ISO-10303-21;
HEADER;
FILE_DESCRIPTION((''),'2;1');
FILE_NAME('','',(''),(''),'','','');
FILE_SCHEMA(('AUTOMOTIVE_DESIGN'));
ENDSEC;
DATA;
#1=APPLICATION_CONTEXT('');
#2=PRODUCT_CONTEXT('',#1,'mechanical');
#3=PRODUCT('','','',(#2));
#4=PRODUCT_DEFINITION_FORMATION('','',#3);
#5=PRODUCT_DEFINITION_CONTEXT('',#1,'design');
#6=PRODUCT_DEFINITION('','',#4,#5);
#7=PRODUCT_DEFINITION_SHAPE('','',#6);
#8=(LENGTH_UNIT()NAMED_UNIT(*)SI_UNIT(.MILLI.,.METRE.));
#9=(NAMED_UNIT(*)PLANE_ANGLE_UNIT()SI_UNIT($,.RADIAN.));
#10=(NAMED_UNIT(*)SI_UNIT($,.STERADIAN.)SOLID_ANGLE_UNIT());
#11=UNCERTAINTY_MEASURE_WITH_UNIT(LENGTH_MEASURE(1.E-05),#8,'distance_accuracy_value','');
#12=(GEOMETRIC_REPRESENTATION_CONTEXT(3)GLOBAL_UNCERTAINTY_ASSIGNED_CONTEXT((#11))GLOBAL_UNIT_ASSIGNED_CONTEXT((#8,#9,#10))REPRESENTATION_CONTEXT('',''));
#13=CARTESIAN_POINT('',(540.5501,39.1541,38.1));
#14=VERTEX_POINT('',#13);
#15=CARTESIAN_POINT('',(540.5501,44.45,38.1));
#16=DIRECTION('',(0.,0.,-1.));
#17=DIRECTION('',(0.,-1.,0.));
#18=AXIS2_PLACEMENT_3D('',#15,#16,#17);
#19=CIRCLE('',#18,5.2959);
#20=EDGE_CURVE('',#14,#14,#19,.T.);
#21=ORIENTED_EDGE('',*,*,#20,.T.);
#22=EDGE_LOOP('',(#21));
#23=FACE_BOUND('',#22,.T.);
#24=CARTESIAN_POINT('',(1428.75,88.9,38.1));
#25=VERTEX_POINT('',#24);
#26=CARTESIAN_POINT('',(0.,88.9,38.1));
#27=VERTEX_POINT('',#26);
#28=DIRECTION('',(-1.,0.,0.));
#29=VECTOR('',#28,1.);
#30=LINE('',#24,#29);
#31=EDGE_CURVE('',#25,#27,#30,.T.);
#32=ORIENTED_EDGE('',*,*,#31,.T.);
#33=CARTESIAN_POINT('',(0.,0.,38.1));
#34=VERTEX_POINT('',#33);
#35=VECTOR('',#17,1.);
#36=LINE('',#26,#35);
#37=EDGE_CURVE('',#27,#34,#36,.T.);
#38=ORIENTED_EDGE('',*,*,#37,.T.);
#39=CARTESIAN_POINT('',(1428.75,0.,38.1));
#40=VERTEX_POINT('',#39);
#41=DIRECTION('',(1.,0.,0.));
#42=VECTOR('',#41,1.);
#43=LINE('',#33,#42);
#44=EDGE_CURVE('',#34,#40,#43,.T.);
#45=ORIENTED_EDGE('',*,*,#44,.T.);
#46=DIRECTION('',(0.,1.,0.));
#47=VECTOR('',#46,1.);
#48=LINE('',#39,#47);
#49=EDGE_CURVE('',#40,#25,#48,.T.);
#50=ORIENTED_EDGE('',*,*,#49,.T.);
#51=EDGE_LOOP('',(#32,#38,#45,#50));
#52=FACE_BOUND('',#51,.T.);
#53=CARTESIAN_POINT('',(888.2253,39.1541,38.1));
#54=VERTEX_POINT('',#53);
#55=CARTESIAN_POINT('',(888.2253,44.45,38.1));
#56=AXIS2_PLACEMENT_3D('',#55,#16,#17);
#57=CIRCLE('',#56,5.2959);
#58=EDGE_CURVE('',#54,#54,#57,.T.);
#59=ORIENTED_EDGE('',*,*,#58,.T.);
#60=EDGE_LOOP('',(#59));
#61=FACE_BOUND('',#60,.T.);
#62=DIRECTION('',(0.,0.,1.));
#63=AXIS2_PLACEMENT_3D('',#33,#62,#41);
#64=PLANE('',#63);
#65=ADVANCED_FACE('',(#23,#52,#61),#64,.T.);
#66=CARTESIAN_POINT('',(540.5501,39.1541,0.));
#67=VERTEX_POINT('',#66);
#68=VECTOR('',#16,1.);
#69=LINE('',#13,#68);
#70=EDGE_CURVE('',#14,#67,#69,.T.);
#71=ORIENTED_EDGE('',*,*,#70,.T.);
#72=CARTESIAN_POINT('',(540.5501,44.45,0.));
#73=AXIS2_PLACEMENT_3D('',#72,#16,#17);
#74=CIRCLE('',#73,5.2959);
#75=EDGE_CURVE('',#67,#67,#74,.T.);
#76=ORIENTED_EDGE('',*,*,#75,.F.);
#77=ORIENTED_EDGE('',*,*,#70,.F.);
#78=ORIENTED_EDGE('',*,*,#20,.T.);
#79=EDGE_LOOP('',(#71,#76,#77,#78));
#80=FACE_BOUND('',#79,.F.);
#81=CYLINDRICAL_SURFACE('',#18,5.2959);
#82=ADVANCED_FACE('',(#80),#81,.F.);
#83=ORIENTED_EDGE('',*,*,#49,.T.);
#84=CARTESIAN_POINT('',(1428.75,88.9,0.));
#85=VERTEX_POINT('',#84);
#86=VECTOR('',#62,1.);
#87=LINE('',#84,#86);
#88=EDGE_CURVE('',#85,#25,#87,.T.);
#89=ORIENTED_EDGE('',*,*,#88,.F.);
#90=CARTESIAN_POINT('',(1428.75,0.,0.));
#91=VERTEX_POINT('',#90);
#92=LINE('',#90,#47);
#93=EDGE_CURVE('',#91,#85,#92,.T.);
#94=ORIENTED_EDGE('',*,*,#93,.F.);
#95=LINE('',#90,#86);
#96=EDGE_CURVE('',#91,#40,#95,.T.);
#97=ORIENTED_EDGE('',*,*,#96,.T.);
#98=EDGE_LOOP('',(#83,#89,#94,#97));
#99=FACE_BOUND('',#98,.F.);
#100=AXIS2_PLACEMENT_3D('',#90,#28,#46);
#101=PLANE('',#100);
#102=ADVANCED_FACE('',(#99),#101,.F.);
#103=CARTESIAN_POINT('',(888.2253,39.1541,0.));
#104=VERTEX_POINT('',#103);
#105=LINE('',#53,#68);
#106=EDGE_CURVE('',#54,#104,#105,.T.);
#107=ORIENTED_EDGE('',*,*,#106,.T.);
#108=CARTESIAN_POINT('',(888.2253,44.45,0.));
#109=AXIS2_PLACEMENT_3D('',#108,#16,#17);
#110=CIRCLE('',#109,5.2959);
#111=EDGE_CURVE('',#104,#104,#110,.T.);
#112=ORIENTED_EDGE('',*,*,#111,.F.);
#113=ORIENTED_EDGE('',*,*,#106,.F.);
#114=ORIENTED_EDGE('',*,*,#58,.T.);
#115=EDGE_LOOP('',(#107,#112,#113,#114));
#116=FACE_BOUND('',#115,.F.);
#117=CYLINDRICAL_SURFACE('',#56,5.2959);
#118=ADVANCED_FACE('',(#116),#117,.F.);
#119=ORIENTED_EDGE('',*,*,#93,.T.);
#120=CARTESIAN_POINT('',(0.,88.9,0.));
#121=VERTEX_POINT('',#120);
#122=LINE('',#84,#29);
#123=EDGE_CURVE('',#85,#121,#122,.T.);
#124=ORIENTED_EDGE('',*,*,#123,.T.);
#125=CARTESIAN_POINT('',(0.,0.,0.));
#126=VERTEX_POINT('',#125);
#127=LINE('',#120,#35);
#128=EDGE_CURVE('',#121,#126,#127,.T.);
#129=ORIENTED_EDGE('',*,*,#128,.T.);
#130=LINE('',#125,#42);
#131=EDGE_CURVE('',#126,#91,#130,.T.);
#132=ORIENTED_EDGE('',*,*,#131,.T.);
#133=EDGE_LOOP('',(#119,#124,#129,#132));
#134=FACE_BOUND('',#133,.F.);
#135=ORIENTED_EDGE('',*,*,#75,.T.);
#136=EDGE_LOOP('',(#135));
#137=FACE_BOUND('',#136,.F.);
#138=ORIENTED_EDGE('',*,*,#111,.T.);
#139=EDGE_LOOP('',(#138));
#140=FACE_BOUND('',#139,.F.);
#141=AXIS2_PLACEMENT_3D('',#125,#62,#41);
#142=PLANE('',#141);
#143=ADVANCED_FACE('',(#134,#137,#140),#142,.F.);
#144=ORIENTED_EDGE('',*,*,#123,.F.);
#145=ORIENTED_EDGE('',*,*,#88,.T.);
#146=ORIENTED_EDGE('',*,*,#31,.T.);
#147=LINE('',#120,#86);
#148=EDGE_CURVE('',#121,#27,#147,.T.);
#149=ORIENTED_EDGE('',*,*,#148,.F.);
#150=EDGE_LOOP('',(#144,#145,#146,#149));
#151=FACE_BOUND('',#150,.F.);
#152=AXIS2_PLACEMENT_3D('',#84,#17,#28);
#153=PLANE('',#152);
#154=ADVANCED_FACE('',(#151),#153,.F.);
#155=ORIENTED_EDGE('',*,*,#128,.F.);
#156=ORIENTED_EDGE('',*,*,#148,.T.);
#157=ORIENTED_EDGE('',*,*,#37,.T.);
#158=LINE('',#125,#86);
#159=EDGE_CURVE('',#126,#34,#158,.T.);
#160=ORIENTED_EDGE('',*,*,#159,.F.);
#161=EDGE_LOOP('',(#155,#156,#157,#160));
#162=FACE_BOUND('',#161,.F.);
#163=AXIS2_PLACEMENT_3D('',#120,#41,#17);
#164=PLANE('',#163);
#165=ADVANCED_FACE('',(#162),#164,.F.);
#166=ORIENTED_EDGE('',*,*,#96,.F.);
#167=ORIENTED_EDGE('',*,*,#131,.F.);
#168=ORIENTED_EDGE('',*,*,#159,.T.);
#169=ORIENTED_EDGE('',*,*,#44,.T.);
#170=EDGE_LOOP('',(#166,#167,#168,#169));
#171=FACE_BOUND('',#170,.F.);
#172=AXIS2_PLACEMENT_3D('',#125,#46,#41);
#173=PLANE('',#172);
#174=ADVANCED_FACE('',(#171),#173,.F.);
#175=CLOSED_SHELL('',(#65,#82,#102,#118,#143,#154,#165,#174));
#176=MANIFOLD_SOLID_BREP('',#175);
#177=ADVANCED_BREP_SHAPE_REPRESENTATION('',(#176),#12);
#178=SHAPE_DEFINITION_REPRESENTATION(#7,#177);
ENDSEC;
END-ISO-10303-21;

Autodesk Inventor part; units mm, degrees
ref_plane "YZ Plane" through (0, 0, 0) normal (1, 0, 0) x (0, 1, 0)
ref_plane "XZ Plane" through (0, 0, 0) normal (0, 1, 0) x (-1, 0, 0)
ref_plane "XY Plane" through (0, 0, 0) normal (0, 0, 1) x (1, 0, 0)
sketch "Sketch1" plane through (0, 0, 0) normal (0, 0, 1) x (1, 0, 0)
  line L0 (0, 0) -> (1428.75, 0)
  line L1 (1428.75, 0) -> (1428.75, 88.9)
  line L2 (1428.75, 88.9) -> (0, 88.9)
  line L3 (0, 88.9) -> (0, 0)
  dimension "d0" = 1428.75
  dimension "d1" = 88.9
extrude "Extrusion1" add sketch "Sketch1" along normal blind 38.1
sketch "Sketch2" plane through (0, 0, 38.1) normal (0, 0, 1) x (1, 0, 0)
  line L0 (0, 88.9) -> (0, 0)
  line L1 (38.1, 88.9) -> (38.1, 0)
  line L2 (347.6625, 88.9) -> (347.6625, 0)
  line L3 (385.7625, 88.9) -> (385.7625, 0)
  line L4 (695.3377, 88.9) -> (695.3377, 0)
  line L5 (733.4377, 88.9) -> (733.4377, 0)
  line L6 (1043.0002, 88.9) -> (1043.0002, 0)
  line L7 (1081.1002, 88.9) -> (1081.1002, 0)
  line L8 (1390.6627, 88.9) -> (1390.6627, 0)
  line L9 (1428.7627, 88.9) -> (1428.7627, 0)
  line L10 (733.4377, 44.45) -> (888.2253, 44.45)
  line L11 (695.3377, 44.45) -> (540.5501, 44.45)
  dimension "d4" = 38.1
  dimension "d5" = 309.5625
  dimension "d6" = 38.1
  dimension "d7" = 309.5752
  dimension "d8" = 38.1
  dimension "d9" = 309.5625
  dimension "d10" = 38.1
  dimension "d11" = 309.5625
  dimension "d12" = 38.1
  dimension "d63" = 154.7876
  dimension "d64" = 154.7876
hole "Hole3" at (540.5501, 44.45, 38.1) at (888.2253, 44.45, 38.1) direction (0, 0, -1) diameter 10.5918 end through all thread size "1/2-13 UNC" class "2B" standard "ANSI Unified Screw Threads"
properties part number "56.25in 2x4" material "Pine, Radiata"
